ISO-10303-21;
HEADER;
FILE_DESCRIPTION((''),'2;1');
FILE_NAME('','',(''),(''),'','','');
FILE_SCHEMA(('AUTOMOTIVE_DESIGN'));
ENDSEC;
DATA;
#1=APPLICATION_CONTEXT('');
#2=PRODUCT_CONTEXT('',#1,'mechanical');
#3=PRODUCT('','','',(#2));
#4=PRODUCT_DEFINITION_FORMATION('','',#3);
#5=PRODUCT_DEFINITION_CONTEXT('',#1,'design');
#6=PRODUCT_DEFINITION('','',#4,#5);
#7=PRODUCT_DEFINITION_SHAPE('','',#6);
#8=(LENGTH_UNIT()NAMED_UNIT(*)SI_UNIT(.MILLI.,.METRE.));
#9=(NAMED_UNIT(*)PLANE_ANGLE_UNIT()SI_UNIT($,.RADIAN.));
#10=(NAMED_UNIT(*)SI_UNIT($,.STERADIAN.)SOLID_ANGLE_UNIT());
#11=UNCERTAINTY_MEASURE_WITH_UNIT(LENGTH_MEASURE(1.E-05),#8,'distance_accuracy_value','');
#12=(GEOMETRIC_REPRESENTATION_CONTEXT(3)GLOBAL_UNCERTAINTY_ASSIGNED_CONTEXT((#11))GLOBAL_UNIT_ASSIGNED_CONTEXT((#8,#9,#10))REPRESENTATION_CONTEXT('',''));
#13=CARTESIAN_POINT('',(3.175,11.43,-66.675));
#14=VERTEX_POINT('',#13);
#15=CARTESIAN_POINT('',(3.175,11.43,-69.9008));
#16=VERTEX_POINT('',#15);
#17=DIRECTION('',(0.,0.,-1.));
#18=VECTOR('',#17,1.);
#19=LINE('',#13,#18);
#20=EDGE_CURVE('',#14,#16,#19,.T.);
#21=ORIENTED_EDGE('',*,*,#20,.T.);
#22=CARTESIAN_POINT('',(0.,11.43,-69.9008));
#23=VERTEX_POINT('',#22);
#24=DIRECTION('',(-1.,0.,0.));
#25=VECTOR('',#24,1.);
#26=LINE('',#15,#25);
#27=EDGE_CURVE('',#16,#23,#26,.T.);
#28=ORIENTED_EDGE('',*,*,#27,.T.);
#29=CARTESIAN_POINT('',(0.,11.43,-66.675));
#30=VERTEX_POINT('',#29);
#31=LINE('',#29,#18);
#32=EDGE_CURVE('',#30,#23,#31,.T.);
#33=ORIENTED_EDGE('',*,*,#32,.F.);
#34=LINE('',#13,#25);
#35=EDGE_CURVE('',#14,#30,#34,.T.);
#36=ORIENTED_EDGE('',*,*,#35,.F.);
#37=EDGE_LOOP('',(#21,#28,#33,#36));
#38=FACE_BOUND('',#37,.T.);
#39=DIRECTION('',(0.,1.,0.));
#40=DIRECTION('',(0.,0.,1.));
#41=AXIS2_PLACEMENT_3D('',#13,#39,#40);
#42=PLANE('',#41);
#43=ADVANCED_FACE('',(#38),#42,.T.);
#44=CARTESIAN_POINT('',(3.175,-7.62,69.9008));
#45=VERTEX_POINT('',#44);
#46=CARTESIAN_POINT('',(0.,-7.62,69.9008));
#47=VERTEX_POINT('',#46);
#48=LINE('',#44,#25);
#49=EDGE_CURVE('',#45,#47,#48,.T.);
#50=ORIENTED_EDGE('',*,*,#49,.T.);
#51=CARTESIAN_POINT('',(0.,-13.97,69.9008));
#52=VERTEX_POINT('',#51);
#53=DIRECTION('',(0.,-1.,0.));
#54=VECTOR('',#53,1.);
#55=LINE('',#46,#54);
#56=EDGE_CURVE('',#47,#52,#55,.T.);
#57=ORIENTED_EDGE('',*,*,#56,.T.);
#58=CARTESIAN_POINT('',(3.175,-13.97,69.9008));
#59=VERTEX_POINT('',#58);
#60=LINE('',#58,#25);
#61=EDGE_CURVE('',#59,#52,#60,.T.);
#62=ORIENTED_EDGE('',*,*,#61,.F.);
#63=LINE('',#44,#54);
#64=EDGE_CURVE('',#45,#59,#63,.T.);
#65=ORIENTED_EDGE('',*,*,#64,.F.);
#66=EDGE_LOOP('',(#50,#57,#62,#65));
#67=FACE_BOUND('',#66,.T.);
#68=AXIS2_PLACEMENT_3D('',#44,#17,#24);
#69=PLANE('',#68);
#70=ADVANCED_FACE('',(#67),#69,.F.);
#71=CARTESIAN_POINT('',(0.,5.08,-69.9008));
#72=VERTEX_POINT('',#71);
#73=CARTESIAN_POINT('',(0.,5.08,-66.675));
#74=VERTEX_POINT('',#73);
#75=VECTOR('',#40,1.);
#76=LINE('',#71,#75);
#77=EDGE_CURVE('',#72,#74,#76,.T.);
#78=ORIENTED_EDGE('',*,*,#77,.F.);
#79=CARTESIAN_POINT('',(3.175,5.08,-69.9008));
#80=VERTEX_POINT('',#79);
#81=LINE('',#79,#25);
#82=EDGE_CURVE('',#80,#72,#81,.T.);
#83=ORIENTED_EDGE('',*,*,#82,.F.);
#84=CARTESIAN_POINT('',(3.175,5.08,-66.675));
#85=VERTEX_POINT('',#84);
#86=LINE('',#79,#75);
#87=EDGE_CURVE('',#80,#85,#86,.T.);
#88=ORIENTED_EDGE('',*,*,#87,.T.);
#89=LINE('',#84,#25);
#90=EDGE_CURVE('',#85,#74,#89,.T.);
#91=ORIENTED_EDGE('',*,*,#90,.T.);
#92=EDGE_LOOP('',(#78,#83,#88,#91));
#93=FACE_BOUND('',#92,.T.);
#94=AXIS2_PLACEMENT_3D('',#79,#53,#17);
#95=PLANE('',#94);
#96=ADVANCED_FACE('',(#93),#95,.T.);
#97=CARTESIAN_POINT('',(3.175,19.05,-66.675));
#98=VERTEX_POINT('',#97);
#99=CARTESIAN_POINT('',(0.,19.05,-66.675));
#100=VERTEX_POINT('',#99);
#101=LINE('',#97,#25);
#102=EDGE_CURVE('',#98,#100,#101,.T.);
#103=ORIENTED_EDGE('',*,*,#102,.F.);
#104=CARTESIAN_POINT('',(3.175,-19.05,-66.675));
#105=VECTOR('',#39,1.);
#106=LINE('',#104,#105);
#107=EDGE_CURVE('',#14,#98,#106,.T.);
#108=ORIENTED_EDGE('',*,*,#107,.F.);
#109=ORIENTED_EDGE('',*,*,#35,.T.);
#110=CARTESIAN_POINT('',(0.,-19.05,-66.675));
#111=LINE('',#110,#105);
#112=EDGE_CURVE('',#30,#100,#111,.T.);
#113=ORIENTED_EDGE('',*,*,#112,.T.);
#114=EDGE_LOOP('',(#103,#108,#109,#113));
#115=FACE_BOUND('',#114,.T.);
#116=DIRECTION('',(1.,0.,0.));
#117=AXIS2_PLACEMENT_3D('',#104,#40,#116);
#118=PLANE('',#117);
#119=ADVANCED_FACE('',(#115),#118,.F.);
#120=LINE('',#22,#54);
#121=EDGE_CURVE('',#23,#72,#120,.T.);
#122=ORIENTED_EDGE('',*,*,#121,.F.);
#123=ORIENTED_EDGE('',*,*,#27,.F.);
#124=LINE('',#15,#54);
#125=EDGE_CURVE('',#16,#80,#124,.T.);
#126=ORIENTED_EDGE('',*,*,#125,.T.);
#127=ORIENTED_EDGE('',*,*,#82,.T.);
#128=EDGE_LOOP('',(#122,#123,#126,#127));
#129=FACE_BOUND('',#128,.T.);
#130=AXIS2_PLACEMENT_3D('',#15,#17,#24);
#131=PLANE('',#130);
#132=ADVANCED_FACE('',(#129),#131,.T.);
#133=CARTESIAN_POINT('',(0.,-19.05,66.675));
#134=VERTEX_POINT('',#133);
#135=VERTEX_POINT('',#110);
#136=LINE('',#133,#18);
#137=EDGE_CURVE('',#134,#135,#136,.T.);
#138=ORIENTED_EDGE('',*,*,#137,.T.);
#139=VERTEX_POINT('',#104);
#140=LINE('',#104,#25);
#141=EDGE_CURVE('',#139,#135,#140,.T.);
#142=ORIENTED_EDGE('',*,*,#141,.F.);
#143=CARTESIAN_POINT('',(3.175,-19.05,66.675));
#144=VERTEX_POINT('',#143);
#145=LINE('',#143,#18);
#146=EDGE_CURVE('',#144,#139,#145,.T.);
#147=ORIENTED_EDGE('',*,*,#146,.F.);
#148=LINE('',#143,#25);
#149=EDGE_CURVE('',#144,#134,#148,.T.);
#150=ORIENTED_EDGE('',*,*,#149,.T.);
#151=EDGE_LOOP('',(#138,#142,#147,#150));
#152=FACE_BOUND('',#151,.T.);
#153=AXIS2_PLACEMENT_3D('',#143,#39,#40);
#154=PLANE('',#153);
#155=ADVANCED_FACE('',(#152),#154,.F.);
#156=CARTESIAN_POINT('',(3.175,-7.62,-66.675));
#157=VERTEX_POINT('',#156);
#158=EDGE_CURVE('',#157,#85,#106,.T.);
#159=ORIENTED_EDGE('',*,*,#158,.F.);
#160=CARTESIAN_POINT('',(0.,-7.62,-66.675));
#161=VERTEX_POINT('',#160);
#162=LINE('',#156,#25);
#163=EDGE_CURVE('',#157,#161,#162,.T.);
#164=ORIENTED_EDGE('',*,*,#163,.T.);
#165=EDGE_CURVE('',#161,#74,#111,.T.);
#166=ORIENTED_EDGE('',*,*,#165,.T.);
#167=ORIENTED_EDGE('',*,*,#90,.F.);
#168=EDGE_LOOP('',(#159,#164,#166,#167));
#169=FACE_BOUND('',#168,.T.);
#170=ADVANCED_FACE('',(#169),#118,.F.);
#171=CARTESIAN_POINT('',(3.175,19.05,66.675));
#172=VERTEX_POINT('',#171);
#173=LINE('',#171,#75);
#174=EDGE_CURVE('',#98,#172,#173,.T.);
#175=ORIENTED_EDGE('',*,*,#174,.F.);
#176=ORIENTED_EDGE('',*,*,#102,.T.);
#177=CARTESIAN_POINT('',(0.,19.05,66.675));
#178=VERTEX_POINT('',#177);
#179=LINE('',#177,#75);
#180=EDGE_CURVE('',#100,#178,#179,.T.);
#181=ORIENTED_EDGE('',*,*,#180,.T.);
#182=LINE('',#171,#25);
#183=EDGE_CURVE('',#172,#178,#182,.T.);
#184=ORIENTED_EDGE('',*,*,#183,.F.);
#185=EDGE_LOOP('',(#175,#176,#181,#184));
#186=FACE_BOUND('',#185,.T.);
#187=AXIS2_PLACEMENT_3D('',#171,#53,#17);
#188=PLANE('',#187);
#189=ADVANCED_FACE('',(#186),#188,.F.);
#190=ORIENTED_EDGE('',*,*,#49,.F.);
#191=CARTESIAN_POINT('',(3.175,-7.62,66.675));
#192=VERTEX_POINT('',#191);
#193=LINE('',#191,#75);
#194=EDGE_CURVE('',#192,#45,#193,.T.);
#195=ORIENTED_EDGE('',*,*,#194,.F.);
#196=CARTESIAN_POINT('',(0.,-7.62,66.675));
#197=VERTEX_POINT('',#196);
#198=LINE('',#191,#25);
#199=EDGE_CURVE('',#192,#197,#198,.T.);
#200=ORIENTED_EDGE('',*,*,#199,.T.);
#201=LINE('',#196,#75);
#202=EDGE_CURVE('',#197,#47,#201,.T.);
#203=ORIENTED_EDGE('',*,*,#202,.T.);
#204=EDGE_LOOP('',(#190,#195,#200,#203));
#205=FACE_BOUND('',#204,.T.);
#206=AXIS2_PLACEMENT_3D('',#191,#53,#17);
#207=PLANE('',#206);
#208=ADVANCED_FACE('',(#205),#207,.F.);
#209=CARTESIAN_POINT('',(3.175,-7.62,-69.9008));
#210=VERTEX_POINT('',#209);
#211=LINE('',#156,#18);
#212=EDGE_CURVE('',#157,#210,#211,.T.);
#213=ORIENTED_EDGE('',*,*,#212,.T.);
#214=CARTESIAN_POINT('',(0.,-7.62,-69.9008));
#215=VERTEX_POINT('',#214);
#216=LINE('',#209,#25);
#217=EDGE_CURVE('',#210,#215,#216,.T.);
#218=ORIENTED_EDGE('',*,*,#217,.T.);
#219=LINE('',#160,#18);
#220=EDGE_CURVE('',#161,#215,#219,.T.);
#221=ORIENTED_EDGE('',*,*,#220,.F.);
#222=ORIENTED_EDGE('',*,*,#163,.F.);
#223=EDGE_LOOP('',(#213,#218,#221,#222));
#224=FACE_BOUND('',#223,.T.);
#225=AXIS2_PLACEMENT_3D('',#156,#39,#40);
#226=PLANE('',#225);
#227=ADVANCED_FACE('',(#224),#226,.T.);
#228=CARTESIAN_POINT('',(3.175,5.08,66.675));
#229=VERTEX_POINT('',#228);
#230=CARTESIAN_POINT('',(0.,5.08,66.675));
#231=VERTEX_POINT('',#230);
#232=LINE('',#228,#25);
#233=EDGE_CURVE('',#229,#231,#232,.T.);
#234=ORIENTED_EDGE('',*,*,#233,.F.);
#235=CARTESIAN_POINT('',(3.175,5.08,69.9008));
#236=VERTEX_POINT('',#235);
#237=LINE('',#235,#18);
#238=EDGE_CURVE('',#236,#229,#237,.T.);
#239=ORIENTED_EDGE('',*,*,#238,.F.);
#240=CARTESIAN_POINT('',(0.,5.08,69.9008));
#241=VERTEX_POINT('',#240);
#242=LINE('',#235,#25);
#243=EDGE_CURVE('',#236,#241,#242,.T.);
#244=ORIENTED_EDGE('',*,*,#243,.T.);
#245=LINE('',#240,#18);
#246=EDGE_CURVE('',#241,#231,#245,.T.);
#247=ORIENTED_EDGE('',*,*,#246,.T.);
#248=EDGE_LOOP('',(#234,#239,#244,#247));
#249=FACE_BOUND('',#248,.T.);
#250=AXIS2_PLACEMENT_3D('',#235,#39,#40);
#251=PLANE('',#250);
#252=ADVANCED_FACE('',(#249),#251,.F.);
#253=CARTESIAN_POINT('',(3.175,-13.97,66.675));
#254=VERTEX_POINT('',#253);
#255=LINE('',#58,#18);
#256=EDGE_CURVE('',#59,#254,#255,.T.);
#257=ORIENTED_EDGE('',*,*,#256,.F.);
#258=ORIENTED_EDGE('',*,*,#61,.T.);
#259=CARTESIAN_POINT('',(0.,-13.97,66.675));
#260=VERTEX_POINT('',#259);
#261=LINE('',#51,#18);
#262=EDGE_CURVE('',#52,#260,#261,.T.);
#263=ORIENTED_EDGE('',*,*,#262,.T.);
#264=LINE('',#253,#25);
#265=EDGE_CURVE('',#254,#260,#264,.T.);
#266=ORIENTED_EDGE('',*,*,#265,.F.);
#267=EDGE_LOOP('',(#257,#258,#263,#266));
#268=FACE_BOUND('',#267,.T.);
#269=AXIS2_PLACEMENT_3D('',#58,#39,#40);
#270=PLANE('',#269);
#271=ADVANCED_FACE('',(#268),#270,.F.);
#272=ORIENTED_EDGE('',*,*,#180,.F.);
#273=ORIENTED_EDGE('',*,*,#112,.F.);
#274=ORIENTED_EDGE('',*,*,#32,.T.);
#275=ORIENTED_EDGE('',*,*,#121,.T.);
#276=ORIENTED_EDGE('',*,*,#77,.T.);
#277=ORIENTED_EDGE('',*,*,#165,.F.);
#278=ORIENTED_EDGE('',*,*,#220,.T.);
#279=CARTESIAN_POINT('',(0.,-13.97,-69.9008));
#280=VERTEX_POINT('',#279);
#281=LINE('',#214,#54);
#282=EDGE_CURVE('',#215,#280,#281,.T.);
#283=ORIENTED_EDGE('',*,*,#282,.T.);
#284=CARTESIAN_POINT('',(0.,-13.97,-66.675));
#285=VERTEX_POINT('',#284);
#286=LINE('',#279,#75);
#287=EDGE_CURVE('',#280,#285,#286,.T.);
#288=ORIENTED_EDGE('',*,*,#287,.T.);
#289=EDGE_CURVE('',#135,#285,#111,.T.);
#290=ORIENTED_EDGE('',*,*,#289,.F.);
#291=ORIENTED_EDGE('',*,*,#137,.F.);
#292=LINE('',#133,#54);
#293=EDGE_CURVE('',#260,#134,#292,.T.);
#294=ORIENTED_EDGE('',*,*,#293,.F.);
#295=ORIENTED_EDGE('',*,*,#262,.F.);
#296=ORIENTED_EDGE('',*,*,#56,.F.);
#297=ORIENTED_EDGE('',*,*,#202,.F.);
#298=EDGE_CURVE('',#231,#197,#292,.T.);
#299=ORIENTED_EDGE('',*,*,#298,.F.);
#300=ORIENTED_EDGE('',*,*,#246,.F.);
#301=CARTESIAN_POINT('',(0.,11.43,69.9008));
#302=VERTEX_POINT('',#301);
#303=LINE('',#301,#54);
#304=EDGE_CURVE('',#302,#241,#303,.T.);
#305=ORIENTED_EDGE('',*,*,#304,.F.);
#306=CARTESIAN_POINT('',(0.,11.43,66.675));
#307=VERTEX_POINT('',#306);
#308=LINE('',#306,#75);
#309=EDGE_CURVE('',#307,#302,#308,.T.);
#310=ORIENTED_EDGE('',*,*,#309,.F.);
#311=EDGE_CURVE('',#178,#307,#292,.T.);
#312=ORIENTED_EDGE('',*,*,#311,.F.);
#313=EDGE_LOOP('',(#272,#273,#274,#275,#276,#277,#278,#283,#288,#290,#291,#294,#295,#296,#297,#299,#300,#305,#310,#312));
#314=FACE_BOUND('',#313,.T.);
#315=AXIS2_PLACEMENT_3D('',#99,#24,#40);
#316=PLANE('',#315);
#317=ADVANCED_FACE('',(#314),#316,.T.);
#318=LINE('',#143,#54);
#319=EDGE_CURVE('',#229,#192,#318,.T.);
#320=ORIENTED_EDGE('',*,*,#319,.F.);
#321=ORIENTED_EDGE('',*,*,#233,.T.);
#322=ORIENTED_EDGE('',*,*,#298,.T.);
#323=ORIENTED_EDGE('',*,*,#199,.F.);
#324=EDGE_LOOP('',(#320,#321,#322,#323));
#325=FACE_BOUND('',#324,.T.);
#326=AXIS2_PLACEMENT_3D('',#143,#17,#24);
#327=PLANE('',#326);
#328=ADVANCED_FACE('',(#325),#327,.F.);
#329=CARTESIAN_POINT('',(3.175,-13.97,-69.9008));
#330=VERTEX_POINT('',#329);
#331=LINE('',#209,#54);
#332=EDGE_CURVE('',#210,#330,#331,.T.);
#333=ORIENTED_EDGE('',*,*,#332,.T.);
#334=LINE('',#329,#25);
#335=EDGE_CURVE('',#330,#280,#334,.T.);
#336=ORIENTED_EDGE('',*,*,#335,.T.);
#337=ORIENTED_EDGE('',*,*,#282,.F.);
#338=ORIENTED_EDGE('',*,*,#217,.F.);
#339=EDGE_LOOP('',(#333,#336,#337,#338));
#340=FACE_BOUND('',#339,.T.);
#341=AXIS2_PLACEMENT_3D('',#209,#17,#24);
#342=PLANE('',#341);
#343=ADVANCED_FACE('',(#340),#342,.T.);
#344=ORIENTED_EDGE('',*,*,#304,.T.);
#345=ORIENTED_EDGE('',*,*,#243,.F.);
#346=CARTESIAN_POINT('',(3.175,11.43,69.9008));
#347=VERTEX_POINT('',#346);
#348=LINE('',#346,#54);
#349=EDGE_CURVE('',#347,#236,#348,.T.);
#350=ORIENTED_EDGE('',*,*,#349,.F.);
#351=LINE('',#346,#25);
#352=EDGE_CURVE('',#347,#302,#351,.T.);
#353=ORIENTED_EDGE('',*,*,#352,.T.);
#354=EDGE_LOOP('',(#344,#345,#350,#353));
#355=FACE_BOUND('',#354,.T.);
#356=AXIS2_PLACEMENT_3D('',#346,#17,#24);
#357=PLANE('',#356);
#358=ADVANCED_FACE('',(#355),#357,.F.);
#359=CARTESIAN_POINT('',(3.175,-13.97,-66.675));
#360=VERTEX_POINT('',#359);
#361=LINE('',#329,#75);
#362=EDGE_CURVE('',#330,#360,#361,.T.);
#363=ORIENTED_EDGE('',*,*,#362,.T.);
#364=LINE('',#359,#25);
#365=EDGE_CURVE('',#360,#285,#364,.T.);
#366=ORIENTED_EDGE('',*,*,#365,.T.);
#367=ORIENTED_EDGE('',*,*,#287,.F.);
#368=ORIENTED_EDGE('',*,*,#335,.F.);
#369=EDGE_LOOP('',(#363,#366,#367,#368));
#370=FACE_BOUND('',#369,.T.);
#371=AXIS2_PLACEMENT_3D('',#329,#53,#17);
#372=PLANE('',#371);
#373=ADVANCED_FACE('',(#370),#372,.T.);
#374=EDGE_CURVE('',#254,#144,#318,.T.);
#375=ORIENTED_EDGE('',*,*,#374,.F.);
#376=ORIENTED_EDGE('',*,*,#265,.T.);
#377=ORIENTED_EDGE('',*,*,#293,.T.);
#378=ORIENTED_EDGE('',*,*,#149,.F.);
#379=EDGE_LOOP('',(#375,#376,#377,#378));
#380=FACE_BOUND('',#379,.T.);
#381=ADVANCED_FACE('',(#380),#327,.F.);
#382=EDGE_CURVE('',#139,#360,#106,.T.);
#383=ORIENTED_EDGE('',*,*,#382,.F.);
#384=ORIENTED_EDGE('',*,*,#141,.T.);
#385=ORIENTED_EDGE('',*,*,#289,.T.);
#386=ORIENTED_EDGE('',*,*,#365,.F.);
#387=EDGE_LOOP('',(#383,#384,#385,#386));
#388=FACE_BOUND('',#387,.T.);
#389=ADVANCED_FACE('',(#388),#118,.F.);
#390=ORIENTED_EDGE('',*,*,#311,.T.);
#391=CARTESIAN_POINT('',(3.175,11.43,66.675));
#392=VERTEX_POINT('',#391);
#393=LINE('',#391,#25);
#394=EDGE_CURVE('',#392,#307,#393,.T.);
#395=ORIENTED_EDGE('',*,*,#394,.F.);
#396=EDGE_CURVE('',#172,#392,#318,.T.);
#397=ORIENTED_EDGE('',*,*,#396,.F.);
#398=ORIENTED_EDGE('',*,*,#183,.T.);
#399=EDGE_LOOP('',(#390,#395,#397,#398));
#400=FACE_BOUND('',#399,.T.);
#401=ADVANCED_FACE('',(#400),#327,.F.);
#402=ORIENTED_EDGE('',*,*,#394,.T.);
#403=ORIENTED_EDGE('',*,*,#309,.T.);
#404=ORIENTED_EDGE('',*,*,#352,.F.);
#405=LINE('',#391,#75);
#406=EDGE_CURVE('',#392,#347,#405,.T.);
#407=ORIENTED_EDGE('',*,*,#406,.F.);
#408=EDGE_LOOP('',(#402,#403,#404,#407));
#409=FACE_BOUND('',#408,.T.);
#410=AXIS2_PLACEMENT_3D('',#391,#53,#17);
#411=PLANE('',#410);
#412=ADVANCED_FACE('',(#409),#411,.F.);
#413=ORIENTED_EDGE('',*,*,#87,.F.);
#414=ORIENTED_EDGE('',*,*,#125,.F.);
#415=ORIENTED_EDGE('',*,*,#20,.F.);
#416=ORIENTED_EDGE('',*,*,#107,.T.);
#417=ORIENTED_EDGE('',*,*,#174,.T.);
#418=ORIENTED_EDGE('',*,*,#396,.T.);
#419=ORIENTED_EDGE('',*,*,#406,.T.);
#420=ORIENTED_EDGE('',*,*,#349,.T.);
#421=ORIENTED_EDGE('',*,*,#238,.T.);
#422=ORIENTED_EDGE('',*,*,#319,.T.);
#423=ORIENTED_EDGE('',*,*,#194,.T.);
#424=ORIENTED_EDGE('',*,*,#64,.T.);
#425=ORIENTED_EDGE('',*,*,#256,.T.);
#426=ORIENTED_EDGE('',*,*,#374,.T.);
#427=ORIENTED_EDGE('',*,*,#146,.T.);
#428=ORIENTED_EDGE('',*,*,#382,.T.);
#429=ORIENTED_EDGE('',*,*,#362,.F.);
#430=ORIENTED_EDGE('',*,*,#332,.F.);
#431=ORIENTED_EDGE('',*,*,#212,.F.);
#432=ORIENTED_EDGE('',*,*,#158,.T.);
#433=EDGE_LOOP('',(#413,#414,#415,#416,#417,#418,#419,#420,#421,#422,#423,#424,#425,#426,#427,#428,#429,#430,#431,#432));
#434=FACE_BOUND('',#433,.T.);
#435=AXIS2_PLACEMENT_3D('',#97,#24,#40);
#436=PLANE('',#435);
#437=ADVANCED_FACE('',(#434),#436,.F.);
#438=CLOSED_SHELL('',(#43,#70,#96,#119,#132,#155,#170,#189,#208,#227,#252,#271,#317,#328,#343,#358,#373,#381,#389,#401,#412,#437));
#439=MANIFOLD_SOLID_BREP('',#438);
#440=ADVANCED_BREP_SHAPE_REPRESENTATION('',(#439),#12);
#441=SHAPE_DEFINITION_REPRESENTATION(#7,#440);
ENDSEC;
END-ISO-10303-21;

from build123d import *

# Parameters (mm, degrees)
SKETCH1_W           = 133.35
SKETCH1_H           = 38.1
BOSS_EXTRUDE1_DEPTH = 3.175
SKETCH2_W           = 3.2258
SKETCH2_H           = 6.35
BOSS_EXTRUDE2_DEPTH = 3.175


with BuildPart() as part:
    # Sketch1 → Boss-Extrude1 (new body)
    with BuildSketch(Plane(origin=(0, 0, 0), x_dir=(0, 0, -1), z_dir=(1, 0, 0))):
        Rectangle(SKETCH1_W, SKETCH1_H)
    extrude(amount=BOSS_EXTRUDE1_DEPTH)

    # Sketch2 → Boss-Extrude2 (add)
    with BuildSketch(Plane.ZY):
        with Locations((-68.2879, 8.255)):
            Rectangle(SKETCH2_W, SKETCH2_H)
        with Locations((-68.2879, -10.795)):
            Rectangle(SKETCH2_W, SKETCH2_H)
    boss_extrude2 = extrude(amount=-BOSS_EXTRUDE2_DEPTH)

    # Mirror1: Boss-Extrude2 across plane
    add(boss_extrude2.mirror(Plane.XY))


solid = part.part
